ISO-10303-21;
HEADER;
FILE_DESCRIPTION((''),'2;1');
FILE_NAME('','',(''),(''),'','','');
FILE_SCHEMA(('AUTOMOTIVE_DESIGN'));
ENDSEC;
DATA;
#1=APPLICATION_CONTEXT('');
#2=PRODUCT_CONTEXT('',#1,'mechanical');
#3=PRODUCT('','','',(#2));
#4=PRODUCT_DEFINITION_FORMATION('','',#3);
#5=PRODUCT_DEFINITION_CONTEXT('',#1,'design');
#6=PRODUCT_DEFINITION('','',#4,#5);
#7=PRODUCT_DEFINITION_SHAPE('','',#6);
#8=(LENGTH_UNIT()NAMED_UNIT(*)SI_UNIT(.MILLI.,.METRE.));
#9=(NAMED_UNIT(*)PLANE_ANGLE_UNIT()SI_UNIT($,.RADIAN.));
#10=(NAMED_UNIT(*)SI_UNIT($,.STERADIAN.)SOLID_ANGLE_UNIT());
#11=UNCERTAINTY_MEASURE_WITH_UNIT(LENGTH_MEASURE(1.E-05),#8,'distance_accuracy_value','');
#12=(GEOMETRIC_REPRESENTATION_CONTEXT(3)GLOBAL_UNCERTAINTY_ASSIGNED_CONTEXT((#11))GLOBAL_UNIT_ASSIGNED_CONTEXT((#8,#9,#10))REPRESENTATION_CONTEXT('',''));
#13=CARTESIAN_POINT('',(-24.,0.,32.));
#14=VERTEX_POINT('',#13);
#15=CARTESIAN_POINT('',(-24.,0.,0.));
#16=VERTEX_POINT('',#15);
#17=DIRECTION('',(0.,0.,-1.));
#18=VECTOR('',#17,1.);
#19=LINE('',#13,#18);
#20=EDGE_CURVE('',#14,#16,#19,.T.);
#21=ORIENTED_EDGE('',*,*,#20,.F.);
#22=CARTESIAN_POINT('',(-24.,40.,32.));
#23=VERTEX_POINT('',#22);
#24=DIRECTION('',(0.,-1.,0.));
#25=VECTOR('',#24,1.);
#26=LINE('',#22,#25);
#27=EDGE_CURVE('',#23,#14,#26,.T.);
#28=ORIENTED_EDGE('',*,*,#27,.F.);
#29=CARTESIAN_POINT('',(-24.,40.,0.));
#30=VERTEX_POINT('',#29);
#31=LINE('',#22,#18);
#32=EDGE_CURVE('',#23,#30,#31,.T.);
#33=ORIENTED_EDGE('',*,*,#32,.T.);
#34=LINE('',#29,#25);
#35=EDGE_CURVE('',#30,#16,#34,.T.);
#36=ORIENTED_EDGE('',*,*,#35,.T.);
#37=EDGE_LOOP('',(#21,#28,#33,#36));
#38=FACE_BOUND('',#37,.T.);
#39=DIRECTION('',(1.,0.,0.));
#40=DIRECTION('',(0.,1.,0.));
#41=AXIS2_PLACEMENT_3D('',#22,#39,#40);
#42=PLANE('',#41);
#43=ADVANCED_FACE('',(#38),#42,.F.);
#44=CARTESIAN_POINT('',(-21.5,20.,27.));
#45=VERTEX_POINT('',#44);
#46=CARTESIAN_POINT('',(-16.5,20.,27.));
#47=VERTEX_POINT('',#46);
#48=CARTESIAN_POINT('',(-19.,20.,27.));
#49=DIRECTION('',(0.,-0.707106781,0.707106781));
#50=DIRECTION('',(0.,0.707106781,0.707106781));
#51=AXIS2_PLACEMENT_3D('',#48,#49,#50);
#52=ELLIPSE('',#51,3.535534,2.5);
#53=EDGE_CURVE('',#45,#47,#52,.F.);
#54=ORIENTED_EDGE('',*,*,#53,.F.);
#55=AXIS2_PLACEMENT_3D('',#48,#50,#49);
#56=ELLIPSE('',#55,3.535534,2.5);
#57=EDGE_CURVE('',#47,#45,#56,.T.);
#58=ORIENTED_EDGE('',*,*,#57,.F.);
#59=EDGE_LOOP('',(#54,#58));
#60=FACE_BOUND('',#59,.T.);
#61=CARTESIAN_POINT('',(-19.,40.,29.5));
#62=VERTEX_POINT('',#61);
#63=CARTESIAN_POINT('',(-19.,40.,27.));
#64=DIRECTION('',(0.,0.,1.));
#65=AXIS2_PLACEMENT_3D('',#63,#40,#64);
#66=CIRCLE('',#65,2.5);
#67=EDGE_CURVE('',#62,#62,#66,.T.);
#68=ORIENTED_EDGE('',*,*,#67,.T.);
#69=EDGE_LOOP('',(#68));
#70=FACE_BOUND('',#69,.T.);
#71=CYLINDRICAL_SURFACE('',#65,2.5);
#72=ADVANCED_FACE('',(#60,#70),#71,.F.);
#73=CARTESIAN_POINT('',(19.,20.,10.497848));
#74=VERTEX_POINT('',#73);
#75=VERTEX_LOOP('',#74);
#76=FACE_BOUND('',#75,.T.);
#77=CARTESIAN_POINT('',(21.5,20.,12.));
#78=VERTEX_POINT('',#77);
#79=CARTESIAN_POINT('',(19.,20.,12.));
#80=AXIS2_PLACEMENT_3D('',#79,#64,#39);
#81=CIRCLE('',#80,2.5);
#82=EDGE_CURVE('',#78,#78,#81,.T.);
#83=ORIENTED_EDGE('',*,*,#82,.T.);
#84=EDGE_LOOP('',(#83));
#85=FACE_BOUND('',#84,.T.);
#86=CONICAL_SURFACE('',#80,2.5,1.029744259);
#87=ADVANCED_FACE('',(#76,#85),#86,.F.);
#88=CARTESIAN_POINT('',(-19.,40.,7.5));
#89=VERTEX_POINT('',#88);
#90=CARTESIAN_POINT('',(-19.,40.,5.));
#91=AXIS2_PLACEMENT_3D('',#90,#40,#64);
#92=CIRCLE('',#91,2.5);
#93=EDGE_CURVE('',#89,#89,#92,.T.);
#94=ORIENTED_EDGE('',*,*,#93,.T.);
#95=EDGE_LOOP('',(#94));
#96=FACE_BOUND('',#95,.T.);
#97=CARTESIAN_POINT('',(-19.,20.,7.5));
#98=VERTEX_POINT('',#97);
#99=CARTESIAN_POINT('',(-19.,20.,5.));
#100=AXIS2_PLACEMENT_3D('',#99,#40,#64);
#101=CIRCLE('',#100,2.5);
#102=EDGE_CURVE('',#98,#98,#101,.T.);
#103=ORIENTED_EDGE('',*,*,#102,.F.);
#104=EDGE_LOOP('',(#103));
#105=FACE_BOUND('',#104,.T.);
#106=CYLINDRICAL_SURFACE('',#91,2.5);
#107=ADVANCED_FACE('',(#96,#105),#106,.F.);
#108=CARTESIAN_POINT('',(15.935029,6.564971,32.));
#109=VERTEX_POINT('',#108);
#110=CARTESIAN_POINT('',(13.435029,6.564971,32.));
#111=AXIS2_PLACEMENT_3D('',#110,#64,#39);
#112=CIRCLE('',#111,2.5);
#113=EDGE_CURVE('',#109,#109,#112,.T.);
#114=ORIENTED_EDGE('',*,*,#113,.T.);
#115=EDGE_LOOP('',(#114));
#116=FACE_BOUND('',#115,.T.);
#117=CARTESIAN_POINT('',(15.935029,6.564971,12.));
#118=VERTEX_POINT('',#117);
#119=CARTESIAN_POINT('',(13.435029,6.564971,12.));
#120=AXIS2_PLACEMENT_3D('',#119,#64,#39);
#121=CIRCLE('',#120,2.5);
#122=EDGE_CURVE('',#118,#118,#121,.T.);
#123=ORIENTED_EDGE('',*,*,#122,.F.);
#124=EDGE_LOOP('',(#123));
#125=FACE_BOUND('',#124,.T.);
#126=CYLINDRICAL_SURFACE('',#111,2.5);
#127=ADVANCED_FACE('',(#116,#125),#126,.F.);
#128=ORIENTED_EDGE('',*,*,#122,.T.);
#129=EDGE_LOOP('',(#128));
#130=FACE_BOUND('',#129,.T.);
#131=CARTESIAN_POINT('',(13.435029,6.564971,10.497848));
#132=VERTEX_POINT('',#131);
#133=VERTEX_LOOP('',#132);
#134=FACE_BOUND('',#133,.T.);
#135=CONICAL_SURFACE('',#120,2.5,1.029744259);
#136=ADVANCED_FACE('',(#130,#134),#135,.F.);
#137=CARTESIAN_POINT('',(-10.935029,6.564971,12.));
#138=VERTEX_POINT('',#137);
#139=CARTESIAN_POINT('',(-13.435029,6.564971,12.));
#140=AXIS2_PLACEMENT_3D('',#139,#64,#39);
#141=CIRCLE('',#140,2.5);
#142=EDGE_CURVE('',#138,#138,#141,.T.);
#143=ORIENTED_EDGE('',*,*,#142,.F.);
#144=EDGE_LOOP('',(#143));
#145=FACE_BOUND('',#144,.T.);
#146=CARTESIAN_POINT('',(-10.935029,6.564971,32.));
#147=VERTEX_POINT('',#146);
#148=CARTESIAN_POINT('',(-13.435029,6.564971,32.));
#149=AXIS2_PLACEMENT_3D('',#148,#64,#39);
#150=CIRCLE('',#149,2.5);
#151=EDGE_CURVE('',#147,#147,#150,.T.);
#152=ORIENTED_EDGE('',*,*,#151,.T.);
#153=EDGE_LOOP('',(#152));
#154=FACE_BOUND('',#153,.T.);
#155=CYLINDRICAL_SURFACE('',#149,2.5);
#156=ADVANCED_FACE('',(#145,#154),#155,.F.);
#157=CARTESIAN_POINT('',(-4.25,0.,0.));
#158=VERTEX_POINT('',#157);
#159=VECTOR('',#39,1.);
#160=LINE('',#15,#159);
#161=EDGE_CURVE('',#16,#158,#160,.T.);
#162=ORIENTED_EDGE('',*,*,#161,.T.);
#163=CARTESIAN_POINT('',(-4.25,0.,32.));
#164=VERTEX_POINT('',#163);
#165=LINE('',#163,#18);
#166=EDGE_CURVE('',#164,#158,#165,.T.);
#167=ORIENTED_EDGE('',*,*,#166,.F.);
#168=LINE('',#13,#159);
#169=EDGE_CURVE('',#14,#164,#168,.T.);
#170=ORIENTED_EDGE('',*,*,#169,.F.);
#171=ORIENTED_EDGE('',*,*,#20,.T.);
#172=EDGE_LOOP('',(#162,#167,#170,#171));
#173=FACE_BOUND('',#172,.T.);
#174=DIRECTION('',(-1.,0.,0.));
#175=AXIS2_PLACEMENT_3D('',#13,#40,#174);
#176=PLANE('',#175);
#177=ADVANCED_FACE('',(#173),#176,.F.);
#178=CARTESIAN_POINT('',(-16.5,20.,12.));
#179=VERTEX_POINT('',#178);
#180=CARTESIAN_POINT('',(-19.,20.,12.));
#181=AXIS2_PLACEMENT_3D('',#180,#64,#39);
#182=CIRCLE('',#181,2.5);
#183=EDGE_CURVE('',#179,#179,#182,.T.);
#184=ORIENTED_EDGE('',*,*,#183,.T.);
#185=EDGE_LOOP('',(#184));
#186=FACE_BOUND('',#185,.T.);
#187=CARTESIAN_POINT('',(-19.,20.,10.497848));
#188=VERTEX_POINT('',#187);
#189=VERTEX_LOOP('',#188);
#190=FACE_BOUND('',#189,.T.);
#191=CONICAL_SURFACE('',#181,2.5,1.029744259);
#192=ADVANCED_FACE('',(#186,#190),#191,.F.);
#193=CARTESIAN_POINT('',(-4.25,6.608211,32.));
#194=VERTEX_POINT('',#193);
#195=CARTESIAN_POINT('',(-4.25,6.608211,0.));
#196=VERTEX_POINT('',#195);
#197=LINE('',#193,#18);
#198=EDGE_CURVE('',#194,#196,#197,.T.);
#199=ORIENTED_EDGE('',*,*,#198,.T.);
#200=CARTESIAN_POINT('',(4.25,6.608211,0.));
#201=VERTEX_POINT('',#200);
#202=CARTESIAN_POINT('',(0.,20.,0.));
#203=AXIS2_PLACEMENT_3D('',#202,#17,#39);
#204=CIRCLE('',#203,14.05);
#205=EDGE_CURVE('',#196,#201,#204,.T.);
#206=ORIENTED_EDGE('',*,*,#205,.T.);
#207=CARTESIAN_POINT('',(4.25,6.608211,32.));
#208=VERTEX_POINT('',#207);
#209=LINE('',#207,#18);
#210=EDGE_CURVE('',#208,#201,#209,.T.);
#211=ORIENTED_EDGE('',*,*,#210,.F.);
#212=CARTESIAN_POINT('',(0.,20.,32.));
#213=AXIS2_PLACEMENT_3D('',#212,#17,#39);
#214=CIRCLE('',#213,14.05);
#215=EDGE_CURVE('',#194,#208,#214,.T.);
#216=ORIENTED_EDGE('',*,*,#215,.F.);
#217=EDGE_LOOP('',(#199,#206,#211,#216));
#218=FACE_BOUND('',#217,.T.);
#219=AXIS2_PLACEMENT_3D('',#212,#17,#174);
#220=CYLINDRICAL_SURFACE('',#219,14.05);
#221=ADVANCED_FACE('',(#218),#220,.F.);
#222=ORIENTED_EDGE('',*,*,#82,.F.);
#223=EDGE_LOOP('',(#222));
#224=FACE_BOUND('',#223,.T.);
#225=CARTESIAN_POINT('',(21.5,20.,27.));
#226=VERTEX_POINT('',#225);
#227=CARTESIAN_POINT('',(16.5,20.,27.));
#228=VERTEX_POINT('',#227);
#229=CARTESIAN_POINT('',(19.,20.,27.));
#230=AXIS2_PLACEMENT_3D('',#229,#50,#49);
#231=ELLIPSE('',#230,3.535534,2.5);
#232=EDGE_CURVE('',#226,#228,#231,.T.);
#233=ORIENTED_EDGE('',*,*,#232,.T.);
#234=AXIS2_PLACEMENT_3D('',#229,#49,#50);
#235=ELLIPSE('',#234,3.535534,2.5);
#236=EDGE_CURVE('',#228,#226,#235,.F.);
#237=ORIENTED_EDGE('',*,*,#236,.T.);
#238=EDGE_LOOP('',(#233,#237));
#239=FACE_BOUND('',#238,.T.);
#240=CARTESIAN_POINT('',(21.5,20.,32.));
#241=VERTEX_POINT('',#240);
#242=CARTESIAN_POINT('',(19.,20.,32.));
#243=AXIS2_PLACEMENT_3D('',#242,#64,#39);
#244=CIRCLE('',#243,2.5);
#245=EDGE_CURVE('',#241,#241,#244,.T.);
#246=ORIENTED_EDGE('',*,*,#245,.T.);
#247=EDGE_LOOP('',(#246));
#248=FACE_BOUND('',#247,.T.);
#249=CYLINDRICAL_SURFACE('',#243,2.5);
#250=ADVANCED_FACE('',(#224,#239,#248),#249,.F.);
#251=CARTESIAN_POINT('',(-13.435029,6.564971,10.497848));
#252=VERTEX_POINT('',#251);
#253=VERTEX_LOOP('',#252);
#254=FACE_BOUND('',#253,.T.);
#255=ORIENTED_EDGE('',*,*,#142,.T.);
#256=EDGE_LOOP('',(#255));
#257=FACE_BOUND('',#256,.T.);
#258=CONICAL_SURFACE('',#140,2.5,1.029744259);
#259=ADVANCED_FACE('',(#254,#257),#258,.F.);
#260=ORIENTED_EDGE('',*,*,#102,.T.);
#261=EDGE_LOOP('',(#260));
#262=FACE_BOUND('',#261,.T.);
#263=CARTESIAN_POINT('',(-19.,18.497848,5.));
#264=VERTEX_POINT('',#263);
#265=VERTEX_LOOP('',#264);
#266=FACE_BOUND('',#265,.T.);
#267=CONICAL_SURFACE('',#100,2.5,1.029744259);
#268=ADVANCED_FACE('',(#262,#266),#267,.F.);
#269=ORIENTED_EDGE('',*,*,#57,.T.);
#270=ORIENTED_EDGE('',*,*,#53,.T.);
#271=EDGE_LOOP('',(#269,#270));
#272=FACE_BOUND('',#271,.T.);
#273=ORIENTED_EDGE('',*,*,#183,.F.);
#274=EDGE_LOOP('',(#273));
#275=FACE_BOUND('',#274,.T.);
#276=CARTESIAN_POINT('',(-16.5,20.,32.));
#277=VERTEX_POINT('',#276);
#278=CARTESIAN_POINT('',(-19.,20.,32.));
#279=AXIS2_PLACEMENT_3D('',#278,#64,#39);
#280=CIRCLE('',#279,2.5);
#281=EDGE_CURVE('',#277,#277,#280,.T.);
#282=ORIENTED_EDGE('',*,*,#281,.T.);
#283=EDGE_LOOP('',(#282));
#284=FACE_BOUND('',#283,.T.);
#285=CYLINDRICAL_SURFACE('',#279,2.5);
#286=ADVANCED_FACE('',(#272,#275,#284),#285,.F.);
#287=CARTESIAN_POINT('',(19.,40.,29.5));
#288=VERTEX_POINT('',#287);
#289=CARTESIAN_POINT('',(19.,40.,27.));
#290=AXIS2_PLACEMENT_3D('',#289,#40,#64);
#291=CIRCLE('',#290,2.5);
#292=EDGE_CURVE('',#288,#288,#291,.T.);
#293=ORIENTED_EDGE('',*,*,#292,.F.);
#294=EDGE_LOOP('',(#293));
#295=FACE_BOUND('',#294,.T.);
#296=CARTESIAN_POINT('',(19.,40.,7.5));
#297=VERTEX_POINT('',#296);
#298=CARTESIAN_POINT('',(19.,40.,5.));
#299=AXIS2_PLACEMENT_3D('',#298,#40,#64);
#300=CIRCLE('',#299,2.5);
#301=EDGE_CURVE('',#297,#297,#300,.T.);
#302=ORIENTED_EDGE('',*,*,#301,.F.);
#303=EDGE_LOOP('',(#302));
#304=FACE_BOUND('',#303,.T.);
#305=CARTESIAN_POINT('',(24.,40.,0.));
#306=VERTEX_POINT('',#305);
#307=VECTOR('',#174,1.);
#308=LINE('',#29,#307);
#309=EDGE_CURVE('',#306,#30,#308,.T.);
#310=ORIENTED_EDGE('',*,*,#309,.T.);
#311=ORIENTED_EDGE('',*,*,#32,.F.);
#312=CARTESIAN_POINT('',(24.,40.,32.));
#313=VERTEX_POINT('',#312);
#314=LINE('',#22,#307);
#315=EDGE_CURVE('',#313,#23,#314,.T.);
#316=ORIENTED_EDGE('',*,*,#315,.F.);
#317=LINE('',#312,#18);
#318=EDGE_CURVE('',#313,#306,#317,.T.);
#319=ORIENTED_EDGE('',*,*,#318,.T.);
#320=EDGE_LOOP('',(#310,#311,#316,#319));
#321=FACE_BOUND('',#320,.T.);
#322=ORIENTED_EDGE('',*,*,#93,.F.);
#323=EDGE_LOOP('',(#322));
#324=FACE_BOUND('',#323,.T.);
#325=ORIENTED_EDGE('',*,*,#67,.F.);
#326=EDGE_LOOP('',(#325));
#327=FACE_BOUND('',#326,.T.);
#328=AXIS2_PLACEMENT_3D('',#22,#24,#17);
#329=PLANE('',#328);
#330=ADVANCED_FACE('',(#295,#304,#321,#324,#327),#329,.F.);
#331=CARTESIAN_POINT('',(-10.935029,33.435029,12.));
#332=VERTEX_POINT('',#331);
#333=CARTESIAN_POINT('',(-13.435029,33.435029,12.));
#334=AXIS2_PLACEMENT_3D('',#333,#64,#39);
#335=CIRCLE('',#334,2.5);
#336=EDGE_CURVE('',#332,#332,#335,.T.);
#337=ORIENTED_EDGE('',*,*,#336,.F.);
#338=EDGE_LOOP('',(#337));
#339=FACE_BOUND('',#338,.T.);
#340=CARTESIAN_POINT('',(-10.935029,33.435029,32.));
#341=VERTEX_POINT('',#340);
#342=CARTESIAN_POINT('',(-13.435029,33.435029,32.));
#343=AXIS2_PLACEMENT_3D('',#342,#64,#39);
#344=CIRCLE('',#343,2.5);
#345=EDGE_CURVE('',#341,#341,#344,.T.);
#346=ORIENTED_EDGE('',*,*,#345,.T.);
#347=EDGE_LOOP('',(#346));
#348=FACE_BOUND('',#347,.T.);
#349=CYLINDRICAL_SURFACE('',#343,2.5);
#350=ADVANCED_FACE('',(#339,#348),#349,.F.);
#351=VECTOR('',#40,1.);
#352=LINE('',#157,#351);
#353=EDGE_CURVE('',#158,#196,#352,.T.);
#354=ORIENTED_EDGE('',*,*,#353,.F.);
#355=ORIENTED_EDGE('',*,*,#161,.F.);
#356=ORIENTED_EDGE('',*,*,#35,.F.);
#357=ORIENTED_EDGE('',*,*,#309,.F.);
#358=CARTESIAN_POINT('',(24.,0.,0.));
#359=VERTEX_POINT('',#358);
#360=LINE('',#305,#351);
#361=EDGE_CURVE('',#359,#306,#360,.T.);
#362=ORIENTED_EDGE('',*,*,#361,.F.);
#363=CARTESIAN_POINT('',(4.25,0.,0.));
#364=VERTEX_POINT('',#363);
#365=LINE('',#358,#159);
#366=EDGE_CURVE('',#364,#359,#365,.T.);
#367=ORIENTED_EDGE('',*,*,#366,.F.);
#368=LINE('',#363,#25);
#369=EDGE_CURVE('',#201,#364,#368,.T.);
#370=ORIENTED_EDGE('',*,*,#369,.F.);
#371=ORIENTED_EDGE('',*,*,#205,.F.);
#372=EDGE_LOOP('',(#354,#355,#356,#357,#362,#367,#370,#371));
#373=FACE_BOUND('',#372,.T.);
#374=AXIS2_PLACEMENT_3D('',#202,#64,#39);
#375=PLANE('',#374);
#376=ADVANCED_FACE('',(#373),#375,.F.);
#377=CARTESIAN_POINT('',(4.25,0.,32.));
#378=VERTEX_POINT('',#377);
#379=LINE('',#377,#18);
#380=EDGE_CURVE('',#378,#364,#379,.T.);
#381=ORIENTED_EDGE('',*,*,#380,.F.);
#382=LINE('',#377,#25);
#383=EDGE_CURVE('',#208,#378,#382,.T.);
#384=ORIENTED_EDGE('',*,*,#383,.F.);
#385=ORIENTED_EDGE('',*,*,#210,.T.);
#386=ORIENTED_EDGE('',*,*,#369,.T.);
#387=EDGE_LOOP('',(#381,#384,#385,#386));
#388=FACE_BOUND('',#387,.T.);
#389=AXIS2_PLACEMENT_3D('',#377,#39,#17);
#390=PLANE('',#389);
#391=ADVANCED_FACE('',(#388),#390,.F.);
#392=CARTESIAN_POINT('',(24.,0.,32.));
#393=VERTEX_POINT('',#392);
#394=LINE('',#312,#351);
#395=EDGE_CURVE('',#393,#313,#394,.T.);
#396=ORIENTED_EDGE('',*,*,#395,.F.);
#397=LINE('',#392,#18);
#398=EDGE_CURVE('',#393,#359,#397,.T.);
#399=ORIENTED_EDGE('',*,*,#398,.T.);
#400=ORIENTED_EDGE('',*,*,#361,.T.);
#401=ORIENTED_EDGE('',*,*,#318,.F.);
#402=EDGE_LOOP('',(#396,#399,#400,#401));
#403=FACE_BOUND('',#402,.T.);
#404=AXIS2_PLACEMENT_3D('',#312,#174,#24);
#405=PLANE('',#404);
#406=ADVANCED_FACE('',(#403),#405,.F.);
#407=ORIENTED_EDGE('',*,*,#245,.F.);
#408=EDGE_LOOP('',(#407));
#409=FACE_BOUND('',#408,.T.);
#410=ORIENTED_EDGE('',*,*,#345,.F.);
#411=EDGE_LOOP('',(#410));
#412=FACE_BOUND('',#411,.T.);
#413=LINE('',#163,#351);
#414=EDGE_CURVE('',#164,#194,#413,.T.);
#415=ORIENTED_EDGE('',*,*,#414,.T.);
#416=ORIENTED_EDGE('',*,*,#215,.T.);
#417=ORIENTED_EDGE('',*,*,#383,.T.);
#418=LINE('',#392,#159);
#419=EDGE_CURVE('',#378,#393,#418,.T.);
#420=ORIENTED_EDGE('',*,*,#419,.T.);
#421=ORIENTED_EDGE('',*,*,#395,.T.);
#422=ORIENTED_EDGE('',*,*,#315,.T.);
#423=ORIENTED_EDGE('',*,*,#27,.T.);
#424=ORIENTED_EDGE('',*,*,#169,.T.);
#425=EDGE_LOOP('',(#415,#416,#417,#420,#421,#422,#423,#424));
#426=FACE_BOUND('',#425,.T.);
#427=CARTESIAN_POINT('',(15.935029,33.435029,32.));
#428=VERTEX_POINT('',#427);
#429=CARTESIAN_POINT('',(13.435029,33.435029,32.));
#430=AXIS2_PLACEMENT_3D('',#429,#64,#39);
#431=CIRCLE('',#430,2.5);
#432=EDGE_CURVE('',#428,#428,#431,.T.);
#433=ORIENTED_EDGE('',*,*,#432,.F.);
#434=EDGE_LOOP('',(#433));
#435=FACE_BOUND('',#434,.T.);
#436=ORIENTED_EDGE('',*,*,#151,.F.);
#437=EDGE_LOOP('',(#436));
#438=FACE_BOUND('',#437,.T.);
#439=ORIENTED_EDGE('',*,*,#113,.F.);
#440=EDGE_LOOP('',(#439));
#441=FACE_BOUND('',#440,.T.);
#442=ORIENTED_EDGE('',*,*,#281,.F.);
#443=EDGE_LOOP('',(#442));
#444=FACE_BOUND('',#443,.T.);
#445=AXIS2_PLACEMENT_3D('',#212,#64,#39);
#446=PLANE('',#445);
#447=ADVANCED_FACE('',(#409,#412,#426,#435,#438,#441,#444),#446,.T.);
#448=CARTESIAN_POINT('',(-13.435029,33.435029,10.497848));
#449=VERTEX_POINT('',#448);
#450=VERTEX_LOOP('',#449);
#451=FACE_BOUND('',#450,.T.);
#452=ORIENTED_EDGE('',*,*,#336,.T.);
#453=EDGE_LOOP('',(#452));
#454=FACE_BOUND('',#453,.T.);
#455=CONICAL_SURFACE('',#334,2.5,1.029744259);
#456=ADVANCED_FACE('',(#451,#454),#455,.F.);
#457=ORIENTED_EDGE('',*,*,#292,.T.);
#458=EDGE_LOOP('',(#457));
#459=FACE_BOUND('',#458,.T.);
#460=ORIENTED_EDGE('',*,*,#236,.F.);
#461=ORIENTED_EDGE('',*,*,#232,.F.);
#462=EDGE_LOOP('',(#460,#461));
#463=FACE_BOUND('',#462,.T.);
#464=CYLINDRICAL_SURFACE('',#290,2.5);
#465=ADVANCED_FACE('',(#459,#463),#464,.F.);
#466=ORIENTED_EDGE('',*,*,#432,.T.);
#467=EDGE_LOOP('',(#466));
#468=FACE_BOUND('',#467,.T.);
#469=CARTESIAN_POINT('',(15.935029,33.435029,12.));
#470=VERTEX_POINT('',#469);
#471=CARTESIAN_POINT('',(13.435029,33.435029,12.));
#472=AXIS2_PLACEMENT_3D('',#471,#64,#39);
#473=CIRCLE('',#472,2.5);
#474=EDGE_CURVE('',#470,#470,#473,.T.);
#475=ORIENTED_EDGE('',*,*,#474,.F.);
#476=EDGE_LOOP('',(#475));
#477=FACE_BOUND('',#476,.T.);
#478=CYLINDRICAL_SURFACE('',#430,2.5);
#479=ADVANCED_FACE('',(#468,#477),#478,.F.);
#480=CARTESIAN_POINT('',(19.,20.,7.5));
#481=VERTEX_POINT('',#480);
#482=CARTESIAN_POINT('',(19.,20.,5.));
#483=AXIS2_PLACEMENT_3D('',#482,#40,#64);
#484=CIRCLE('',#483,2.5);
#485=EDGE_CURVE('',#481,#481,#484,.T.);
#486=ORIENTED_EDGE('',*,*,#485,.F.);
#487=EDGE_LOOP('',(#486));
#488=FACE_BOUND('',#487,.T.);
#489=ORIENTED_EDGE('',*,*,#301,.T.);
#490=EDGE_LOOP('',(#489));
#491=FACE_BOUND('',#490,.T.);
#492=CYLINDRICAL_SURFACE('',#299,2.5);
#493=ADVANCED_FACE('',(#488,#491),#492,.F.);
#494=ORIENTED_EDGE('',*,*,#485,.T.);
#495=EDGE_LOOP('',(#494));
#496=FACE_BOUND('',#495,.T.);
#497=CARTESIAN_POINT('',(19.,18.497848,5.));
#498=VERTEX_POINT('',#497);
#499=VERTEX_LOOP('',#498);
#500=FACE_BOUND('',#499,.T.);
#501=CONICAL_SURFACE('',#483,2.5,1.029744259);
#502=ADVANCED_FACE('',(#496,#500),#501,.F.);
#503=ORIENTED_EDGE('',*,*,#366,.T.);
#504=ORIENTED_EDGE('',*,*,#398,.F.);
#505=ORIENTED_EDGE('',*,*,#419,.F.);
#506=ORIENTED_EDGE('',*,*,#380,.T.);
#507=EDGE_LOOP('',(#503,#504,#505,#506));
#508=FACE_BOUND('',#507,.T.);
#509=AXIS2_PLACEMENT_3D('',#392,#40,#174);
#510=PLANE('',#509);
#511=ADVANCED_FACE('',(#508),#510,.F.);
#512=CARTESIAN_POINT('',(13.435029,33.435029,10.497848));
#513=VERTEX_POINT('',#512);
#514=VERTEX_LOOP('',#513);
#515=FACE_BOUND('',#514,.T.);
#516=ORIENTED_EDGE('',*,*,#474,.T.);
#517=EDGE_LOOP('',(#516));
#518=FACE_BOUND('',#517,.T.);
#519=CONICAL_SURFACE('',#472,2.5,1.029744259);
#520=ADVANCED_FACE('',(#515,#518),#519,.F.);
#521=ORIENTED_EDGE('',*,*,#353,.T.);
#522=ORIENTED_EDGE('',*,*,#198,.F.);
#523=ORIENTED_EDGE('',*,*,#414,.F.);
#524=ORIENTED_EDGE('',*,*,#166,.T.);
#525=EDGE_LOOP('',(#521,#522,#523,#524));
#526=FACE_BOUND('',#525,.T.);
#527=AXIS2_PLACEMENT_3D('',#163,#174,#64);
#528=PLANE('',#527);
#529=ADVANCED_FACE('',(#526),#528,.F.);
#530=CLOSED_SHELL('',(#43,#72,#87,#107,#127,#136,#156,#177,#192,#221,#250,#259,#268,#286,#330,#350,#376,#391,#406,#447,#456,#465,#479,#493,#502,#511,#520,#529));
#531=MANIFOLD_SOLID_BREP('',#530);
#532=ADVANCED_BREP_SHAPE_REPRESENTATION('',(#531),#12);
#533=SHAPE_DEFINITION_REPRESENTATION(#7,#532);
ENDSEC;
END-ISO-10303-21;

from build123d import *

# Parameters (mm, degrees)
BOSS_EXTRUDE1_DEPTH         = 32
TAP_DRILL_FOR_M5_TAP1_D     = 5
TAP_DRILL_FOR_M5_TAP1_DEPTH = 20
TAP_DRILL_FOR_M5_TAP1_TIP   = 1.502151548
TAP_DRILL_FOR_M5_TAP2_D     = 5
TAP_DRILL_FOR_M5_TAP2_DEPTH = 20
TAP_DRILL_FOR_M5_TAP2_TIP   = 1.502151548


with BuildPart() as part:
    # Sketch1 → Boss-Extrude1 (new body)
    with BuildSketch(Plane.XY):
        with BuildLine():
            Line((-24, 40), (-24, 0))
            Line((-24, 0), (-4.25, 0))
            Line((-4.25, 0), (-4.25, 6.608211471))
            ThreePointArc((-4.25, 6.608211471), (0, 34.05), (4.25, 6.608211471))
            Line((4.25, 6.608211471), (4.25, 0))
            Line((4.25, 0), (24, 0))
            Line((24, 0), (24, 40))
            Line((24, 40), (-24, 40))
        make_face()
    extrude(amount=BOSS_EXTRUDE1_DEPTH)

    # Tap Drill for M5 Tap1
    with Locations(Plane(origin=(-13.435028843, 33.435028843, 32), x_dir=(1, 0, 0), z_dir=(0, 0, 1))):
        with Locations((0, 0), (-5.564971157, -13.435028843), (0, -26.870057686), (26.870057686, -26.870057686), (32.435028843, -13.435028843), (26.870057686, 0)):
            Hole(TAP_DRILL_FOR_M5_TAP1_D / 2, depth=TAP_DRILL_FOR_M5_TAP1_DEPTH)
            with Locations((0, 0, -(TAP_DRILL_FOR_M5_TAP1_DEPTH + TAP_DRILL_FOR_M5_TAP1_TIP / 2))):  # 118° drill point
                Cone(0, TAP_DRILL_FOR_M5_TAP1_D / 2, TAP_DRILL_FOR_M5_TAP1_TIP, mode=Mode.SUBTRACT)

    # Tap Drill for M5 Tap2
    with Locations(Plane(origin=(-19, 40, 5), x_dir=(0, 0, 1), z_dir=(0, 1, 0))):
        with Locations((0, 0), (22, 0), (22, 38), (0, 38)):
            Hole(TAP_DRILL_FOR_M5_TAP2_D / 2, depth=TAP_DRILL_FOR_M5_TAP2_DEPTH)
            with Locations((0, 0, -(TAP_DRILL_FOR_M5_TAP2_DEPTH + TAP_DRILL_FOR_M5_TAP2_TIP / 2))):  # 118° drill point
                Cone(0, TAP_DRILL_FOR_M5_TAP2_D / 2, TAP_DRILL_FOR_M5_TAP2_TIP, mode=Mode.SUBTRACT)


solid = part.part
